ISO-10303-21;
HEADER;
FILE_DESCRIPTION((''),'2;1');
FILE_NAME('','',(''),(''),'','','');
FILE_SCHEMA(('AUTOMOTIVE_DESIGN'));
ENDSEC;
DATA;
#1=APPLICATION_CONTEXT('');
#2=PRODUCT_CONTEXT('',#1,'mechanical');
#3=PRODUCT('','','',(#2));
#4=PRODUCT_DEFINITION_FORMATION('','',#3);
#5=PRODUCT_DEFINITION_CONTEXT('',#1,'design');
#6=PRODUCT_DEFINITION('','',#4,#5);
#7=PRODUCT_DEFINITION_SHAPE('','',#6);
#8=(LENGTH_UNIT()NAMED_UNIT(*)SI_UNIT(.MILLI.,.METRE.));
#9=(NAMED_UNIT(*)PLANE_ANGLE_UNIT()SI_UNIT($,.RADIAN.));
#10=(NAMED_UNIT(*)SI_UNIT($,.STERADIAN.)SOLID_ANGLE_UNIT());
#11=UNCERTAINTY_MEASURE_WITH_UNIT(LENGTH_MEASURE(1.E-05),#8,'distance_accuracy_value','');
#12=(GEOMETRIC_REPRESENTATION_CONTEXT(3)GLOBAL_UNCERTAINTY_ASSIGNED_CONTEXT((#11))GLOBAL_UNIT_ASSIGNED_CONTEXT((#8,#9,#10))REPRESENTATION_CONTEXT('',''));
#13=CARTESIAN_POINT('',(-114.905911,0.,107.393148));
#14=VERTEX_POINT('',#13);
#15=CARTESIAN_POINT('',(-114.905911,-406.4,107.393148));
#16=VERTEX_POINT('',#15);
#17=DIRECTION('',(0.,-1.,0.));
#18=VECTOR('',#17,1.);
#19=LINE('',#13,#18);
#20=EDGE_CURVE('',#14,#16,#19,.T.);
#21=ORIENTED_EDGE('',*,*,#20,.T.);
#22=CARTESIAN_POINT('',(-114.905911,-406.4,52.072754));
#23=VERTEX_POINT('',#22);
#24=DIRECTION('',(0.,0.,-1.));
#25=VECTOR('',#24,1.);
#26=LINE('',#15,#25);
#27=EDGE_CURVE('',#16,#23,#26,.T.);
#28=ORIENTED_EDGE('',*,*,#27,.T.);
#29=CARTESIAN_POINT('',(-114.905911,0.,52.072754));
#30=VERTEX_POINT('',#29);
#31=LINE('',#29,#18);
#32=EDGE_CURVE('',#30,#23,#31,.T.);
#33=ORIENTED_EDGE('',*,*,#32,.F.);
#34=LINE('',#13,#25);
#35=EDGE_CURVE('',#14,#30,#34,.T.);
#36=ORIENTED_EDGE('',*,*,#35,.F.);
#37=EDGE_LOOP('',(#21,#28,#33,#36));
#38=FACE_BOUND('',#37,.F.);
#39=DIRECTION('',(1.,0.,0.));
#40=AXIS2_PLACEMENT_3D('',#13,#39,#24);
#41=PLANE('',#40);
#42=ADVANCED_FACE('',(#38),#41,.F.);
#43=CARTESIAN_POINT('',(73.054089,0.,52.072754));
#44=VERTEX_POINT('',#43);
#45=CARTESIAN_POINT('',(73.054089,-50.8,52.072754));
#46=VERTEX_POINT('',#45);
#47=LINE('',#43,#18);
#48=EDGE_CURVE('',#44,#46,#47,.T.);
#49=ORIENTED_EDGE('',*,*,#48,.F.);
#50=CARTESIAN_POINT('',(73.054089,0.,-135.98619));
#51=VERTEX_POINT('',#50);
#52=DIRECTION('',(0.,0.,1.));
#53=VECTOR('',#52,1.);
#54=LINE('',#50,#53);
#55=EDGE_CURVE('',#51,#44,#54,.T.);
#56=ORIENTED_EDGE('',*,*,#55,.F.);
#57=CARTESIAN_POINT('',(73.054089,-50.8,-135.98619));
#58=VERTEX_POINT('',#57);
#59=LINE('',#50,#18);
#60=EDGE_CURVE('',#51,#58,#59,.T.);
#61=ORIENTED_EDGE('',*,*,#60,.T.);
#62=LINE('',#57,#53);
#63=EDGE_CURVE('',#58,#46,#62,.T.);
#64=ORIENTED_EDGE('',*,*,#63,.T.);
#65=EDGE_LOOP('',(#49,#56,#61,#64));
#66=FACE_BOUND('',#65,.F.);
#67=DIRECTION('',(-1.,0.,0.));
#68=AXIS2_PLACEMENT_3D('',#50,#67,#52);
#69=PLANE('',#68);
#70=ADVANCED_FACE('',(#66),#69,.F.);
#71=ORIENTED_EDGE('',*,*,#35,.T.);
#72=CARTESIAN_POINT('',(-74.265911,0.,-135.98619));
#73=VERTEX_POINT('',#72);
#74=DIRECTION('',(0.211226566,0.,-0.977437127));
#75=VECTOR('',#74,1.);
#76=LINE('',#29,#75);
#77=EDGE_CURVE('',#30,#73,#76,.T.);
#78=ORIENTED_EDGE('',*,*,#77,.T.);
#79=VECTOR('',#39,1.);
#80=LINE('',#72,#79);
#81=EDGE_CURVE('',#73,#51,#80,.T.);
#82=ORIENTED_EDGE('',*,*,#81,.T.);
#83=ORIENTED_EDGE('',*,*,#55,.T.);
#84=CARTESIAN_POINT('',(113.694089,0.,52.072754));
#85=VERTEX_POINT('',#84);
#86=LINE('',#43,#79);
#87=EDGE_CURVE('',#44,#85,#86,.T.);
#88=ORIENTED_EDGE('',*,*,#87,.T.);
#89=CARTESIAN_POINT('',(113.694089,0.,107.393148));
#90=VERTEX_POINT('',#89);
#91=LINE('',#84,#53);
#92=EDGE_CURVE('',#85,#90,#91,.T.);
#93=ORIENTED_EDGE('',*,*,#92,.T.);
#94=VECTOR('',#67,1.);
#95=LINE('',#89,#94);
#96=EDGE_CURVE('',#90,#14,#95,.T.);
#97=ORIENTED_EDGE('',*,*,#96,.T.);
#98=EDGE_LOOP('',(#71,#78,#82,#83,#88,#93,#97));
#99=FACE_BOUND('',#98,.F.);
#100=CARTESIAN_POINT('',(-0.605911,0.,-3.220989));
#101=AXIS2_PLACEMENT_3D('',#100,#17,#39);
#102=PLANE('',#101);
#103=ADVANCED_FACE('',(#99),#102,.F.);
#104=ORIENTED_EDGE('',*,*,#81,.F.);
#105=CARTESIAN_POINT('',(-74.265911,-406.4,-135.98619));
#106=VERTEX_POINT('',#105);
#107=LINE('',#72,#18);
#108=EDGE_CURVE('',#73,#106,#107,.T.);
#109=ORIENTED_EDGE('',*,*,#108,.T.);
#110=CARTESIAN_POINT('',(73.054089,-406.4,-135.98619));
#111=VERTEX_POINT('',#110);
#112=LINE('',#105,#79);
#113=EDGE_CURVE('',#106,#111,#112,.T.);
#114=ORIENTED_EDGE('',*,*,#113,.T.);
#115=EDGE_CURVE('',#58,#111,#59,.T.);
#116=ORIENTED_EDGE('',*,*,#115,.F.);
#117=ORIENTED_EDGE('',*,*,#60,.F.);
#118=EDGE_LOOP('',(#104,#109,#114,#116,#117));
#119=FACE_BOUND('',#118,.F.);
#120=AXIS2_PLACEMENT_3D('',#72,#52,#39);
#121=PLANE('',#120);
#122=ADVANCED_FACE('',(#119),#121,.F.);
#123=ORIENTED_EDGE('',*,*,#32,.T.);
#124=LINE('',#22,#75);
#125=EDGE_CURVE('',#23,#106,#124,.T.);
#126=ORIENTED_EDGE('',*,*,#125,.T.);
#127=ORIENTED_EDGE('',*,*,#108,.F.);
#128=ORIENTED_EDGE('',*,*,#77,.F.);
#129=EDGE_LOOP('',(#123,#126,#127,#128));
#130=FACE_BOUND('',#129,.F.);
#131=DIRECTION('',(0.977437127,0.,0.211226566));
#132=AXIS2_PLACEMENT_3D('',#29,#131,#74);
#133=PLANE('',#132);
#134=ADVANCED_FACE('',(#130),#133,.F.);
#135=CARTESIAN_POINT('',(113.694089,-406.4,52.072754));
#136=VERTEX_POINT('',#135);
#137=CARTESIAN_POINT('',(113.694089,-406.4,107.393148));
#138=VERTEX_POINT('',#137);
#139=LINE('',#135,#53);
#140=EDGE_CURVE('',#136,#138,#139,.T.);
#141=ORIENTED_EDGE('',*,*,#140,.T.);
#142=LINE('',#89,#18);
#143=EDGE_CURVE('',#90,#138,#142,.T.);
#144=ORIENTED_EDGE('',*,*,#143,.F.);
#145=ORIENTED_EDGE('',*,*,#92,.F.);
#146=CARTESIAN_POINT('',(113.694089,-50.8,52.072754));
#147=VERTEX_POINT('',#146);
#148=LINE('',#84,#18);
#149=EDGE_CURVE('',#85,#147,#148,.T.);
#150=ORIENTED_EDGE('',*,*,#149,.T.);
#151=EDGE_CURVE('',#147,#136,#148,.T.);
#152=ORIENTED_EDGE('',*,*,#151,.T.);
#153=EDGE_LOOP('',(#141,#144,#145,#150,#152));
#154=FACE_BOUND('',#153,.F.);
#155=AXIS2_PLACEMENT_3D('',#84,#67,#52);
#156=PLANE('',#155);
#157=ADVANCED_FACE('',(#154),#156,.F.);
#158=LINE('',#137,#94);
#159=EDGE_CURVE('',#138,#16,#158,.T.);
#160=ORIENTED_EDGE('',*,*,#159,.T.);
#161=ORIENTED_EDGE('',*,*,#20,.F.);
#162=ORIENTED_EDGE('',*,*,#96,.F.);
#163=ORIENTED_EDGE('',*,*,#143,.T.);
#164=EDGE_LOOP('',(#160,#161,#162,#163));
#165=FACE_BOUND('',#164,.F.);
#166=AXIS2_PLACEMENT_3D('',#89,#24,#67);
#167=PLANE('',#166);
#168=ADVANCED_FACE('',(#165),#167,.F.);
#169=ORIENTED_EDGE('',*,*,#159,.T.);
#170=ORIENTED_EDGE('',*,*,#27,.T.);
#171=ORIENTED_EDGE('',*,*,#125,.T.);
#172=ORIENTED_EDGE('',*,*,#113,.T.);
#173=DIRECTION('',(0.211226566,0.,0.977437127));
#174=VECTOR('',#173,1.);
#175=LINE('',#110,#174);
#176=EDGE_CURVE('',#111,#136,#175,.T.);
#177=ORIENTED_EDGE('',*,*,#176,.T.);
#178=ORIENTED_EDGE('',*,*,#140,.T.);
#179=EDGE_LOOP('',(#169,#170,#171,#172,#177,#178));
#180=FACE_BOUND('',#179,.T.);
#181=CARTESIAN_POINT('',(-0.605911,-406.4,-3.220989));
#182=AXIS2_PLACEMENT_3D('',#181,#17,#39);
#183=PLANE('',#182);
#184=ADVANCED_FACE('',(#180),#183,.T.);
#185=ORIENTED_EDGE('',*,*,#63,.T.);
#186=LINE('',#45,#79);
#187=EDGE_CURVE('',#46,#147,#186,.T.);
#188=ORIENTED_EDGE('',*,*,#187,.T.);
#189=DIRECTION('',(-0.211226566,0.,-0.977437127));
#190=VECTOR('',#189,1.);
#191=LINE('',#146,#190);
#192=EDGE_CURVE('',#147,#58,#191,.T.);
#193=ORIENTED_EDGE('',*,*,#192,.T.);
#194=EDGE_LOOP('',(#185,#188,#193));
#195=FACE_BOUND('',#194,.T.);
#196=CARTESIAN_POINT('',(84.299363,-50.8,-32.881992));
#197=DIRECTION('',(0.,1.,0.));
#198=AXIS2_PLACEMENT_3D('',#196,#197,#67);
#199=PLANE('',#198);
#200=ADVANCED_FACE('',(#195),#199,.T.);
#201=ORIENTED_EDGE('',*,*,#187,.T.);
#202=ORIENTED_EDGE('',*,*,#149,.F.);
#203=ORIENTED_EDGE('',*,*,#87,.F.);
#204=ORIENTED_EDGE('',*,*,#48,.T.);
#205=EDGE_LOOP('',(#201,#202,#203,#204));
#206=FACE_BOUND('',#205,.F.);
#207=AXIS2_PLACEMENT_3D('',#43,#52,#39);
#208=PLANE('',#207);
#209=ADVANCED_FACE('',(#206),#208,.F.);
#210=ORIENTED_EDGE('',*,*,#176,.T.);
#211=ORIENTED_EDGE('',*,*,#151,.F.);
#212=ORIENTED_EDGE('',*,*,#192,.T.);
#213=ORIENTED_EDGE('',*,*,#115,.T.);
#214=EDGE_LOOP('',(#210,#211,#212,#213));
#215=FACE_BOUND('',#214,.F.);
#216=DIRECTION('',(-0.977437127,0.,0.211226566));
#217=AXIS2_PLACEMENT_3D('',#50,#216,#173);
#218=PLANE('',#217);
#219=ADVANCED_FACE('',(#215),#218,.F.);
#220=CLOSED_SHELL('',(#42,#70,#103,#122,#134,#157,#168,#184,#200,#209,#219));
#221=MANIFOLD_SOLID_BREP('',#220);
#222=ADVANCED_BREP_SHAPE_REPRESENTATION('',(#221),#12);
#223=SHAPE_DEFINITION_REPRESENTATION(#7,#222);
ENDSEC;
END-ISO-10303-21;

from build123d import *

# Parameters (mm, degrees)
F1_DEPTH = 406.4
F3_DEPTH = 50.8


with BuildPart() as f1:
    # F0 (on Front) → F1 (new body)
    with BuildSketch(Plane.XZ):
        Polygon((113.694089, 107.393148), (-114.905911, 107.393148), (-114.905911, 52.072754), (-74.265911, -135.98619), (73.054089, -135.98619), (113.694089, 52.072754), align=None)
    extrude(amount=F1_DEPTH)

    # F2 (on face) → F3 (cut)
    with BuildSketch(Plane(origin=(0, 0, 0), x_dir=(-1, 0, 0), z_dir=(0, 1, 0))):
        Polygon((-73.054089, 52.072754), (-113.694089, 52.072754), (-73.054089, -135.98619), align=None)
    extrude(amount=-F3_DEPTH, mode=Mode.SUBTRACT)


solid = f1.part
